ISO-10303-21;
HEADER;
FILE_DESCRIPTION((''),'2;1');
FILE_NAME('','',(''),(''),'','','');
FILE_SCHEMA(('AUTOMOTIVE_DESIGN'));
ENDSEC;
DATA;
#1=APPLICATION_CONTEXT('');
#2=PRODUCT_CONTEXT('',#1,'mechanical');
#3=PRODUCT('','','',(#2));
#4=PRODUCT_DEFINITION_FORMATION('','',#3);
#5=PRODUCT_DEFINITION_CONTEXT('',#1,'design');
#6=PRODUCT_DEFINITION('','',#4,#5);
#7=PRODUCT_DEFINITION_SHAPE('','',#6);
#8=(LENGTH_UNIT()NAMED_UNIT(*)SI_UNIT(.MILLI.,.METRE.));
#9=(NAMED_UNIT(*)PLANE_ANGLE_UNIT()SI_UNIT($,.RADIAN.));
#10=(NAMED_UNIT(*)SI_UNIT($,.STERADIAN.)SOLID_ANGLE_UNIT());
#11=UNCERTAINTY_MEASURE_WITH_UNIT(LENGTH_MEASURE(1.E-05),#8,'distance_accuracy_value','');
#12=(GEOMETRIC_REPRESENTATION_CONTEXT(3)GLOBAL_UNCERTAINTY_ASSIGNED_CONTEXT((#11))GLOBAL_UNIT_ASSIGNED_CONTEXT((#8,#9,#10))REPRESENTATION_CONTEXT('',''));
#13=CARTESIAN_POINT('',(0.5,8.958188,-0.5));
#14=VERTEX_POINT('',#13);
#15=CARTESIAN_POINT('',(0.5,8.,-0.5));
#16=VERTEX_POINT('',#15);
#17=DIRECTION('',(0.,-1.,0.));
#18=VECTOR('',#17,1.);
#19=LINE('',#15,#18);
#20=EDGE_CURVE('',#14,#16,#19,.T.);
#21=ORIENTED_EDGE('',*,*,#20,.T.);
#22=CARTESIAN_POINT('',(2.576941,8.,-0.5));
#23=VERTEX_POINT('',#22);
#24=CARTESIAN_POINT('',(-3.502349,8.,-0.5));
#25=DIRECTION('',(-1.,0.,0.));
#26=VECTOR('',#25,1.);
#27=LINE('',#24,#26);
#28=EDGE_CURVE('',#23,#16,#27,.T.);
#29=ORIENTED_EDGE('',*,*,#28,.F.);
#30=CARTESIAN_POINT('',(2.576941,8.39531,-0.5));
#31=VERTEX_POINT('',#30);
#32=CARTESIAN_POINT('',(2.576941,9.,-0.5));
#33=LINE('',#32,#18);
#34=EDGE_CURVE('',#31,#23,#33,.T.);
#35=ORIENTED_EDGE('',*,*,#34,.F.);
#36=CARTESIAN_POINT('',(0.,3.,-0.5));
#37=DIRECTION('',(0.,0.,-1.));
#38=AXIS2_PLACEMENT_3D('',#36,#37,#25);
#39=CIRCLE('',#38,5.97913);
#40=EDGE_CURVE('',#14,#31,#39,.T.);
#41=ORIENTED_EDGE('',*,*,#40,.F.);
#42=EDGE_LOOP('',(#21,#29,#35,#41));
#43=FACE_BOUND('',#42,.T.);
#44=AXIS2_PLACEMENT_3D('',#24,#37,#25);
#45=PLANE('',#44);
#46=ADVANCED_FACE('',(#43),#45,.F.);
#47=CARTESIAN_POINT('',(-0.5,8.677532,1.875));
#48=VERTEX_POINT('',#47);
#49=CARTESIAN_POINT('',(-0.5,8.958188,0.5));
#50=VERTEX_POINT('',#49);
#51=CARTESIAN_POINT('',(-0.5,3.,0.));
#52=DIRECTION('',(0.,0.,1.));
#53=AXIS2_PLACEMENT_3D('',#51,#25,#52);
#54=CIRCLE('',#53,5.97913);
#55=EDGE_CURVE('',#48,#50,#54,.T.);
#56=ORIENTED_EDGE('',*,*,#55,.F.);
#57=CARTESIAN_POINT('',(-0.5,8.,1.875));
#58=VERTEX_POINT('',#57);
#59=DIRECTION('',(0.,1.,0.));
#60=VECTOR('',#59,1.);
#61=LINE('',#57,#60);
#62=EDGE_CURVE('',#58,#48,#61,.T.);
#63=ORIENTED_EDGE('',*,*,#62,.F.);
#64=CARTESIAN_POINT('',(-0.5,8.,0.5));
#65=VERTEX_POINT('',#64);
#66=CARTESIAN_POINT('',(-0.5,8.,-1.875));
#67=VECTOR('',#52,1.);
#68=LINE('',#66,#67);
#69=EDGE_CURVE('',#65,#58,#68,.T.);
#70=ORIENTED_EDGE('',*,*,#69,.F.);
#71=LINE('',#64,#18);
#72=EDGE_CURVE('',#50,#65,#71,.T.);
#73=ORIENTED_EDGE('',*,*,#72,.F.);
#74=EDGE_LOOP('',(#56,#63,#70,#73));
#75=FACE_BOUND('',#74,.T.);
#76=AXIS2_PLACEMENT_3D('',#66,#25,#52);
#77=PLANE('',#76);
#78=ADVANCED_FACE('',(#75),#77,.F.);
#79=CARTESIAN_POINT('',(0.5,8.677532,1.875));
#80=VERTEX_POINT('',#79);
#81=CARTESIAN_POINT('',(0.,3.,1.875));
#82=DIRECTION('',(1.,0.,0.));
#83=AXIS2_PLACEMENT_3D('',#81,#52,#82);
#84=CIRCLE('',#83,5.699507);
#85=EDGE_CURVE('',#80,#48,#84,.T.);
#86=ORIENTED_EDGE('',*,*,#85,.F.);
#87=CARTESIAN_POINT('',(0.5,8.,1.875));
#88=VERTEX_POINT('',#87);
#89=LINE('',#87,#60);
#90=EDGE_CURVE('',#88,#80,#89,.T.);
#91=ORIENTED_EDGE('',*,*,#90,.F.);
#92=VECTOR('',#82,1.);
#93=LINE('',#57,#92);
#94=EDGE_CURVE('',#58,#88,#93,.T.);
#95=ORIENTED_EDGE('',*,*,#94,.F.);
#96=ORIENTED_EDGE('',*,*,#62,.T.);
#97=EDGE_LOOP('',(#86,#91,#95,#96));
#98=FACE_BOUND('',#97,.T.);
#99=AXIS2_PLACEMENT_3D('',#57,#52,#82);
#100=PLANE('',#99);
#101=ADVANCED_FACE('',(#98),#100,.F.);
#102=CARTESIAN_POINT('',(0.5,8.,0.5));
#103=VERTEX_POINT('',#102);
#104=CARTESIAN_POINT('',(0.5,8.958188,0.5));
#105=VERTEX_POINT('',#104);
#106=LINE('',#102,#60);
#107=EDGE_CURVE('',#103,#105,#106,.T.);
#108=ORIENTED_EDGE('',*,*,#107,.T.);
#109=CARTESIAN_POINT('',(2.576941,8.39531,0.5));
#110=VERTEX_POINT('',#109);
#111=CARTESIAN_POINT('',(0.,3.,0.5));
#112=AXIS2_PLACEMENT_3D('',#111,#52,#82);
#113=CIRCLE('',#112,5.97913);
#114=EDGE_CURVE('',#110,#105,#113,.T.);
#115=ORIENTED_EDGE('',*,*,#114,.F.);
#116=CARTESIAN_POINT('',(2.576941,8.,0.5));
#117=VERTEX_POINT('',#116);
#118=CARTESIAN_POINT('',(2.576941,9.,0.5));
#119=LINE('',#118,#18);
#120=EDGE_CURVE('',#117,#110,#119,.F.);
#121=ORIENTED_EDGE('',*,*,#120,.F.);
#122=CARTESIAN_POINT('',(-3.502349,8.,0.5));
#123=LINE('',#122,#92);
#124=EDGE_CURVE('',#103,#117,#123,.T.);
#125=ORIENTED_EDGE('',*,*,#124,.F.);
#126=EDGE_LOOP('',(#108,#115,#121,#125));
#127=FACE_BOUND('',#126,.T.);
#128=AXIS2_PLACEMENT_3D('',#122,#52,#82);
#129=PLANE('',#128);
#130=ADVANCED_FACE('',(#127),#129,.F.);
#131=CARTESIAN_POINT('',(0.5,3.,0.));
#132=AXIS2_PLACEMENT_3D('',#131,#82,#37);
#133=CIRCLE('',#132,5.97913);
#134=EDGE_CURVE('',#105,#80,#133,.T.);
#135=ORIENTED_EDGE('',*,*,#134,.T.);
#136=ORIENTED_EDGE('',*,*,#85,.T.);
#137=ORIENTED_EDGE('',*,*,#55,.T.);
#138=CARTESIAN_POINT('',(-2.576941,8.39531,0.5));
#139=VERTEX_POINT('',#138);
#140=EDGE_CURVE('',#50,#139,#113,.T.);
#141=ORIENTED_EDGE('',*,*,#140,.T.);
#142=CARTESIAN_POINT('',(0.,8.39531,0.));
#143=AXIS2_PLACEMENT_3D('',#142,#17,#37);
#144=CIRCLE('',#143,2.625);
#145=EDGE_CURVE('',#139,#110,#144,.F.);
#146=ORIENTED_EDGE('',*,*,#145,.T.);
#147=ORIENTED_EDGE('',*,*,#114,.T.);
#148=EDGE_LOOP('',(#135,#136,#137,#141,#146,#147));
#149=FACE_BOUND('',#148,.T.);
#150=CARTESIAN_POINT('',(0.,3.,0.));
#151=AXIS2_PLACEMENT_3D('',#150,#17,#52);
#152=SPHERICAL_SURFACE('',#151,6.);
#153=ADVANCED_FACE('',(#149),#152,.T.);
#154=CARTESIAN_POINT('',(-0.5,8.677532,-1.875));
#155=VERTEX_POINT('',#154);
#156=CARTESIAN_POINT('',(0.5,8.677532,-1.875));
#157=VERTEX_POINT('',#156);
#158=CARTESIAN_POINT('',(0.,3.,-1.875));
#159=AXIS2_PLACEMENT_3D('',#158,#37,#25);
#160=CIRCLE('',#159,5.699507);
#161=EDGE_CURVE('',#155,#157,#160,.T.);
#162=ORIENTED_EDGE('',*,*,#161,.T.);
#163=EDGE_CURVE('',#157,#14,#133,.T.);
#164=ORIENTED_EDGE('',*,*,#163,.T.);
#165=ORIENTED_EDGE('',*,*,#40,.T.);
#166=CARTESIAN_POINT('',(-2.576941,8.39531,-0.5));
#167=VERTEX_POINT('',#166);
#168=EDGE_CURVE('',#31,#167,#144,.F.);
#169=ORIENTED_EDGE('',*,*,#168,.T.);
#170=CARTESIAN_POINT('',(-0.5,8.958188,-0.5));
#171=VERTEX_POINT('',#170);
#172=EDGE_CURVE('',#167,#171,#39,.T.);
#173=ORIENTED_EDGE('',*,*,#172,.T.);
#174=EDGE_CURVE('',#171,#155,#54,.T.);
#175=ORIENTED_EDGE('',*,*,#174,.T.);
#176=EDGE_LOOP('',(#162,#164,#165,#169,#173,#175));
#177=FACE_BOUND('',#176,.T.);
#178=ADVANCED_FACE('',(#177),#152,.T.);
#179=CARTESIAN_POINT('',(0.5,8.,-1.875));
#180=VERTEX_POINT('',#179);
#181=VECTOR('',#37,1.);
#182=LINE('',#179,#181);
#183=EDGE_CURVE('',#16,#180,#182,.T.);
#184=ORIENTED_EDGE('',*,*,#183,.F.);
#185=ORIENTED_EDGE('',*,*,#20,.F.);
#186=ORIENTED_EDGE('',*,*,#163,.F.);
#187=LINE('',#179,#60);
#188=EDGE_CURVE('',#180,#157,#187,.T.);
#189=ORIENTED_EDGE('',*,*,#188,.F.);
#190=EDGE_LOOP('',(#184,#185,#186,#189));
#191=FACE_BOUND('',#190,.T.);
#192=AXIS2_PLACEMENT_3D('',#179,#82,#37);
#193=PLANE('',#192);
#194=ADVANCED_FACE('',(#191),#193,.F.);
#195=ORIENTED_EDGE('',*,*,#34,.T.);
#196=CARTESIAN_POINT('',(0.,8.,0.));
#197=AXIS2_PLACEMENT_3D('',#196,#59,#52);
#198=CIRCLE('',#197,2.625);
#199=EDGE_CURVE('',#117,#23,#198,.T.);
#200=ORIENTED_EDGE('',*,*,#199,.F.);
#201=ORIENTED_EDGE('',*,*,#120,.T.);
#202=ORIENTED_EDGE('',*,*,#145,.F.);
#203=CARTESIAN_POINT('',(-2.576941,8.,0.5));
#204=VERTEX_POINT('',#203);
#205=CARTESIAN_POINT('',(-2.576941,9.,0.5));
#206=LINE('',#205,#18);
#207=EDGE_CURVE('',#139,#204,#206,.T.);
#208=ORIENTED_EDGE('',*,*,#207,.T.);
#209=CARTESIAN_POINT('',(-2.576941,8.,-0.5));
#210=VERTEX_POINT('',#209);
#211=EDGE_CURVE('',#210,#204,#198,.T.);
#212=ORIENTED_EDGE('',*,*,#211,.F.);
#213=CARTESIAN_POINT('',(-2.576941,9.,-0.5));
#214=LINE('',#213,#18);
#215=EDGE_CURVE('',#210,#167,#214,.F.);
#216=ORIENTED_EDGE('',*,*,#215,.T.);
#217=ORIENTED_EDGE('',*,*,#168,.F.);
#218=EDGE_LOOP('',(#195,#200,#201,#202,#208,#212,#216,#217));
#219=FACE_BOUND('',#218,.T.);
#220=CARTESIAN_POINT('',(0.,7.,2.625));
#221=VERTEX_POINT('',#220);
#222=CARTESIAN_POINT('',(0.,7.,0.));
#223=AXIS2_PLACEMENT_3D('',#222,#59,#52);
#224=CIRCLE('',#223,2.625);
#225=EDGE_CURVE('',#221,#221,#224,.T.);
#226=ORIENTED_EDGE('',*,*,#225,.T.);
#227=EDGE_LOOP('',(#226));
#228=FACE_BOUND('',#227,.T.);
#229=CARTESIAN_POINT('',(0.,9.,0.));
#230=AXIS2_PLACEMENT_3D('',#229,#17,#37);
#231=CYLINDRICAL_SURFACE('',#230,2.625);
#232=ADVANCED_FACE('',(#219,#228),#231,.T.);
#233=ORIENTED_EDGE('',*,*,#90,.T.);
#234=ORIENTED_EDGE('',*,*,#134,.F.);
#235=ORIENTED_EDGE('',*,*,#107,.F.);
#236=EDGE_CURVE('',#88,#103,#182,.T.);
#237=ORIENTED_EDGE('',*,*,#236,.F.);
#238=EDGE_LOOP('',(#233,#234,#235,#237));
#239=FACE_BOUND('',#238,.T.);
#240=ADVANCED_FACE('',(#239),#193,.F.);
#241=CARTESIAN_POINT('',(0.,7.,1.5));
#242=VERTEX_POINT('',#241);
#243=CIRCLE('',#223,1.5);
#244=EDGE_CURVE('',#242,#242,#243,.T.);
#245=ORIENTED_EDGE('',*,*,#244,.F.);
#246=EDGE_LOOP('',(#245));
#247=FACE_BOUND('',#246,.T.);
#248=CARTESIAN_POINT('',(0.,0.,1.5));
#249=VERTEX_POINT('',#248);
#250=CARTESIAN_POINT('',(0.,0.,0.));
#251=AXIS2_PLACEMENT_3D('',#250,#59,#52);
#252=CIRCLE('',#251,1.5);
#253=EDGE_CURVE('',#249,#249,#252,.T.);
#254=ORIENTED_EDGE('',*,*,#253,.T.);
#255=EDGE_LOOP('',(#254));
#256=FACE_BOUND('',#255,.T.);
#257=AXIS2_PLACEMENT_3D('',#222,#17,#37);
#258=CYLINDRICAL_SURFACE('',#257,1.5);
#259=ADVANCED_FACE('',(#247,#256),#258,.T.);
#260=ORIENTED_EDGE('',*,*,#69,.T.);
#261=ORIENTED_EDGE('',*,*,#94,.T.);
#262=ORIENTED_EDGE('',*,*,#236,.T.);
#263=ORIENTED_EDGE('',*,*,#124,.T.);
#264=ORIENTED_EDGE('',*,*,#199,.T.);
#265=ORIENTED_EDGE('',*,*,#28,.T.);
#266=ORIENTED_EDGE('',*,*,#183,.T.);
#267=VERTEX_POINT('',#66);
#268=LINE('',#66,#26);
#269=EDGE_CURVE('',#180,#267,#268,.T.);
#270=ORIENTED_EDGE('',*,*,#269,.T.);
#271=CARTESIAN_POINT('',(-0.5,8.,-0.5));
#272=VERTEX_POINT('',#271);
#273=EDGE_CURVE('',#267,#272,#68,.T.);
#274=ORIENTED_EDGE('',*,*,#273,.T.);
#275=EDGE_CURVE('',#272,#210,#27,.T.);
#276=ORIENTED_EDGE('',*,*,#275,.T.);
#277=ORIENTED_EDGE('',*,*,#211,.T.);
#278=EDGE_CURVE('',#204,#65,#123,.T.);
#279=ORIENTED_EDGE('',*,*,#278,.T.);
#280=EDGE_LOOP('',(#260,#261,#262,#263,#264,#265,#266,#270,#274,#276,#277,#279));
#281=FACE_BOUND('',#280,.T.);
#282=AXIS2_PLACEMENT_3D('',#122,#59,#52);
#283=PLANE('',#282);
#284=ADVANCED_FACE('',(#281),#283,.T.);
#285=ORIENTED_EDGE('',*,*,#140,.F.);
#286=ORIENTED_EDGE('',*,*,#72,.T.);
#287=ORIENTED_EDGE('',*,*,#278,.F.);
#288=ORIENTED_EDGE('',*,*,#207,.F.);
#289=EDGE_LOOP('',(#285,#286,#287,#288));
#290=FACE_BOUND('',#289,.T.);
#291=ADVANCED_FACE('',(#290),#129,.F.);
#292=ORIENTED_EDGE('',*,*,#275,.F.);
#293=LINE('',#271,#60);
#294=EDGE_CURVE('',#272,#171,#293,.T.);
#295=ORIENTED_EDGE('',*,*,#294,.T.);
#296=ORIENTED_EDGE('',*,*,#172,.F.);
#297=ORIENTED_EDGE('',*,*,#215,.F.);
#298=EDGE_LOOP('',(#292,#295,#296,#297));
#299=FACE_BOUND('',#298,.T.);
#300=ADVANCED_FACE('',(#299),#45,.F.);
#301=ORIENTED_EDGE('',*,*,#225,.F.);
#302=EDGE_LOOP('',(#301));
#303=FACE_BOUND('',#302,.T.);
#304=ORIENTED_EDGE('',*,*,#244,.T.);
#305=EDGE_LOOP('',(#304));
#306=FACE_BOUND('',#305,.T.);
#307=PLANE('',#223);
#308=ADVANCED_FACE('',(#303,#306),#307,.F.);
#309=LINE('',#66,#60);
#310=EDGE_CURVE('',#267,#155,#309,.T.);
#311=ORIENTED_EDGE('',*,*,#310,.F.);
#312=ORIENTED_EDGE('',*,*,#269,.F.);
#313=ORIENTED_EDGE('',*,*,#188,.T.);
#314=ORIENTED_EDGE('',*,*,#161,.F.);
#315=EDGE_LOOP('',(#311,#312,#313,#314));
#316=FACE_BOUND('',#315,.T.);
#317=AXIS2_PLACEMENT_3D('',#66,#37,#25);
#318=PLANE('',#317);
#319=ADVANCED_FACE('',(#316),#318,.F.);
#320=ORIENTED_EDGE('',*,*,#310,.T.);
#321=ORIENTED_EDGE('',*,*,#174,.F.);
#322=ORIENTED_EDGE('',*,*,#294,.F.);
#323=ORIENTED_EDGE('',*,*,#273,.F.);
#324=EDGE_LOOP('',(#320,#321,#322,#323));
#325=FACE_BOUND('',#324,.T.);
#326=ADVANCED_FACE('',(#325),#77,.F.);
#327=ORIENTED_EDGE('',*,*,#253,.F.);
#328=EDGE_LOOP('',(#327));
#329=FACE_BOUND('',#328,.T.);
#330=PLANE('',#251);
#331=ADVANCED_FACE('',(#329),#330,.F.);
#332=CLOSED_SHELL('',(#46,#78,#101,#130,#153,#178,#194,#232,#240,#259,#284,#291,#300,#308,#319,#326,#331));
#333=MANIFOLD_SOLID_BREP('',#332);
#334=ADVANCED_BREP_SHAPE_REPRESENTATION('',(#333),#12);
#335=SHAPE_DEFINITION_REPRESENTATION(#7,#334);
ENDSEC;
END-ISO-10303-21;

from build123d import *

# Parameters (mm, degrees)
SKETCH_1_R          = 1.5
EXTRUDE_1_DEPTH     = 7
SKETCH_2_R          = 2.625
EXTRUDE_2_DEPTH     = 2
SKETCH_3_W          = 7.004697232
SKETCH_3_H          = 1
CUT_EXTRUDE_1_DEPTH = 1
SKETCH_4_W          = 1
SKETCH_4_H          = 3.75
CUT_EXTRUDE_2_DEPTH = 1


with BuildPart() as part:
    # 草图1 → 拉伸1 (new body)
    with BuildSketch(Plane(origin=(0, 0, 0), x_dir=(1, 0, 0), z_dir=(0, 1, 0))):
        with Locations(Location((0, 0, 0), (0, 0, 270))):
            Circle(SKETCH_1_R)
    extrude(amount=EXTRUDE_1_DEPTH)

    # 草图2 → 拉伸2 (add)
    with BuildSketch(Plane(origin=(0, 7, 0), x_dir=(-1, 0, 0), z_dir=(0, 1, 0))):
        with Locations(Location((0, 0, 0), (0, 0, 90))):
            Circle(SKETCH_2_R)
    extrude(amount=EXTRUDE_2_DEPTH)

    # 草图3 → 切除-拉伸1 (cut)
    with BuildSketch(Plane(origin=(0, 9, 0), x_dir=(-1, 0, 0), z_dir=(0, 1, 0))):
        Rectangle(SKETCH_3_W, SKETCH_3_H)
    extrude(amount=-CUT_EXTRUDE_1_DEPTH, mode=Mode.SUBTRACT)

    # 草图4 → 切除-拉伸2 (cut)
    with BuildSketch(Plane(origin=(0, 9, 0), x_dir=(-1, 0, 0), z_dir=(0, 1, 0))):
        Rectangle(SKETCH_4_W, SKETCH_4_H)
    extrude(amount=-CUT_EXTRUDE_2_DEPTH, mode=Mode.SUBTRACT)

    # 草图5 → 切除-旋转16 (revolve, cut)
    with BuildSketch(Plane(origin=(0, 0, 0), x_dir=(0, 0, -1), z_dir=(1, 0, 0)), mode=Mode.PRIVATE) as cut_revolve_16_sk:
        with BuildLine():
            Line((0, 10.999822694), (-4.5493707, 10.999822694))
            Line((-4.5493707, 10.999822694), (-4.5493707, 6.911933822))
            ThreePointArc((-4.5493707, 6.911933822), (-2.502838096, 8.453054325), (0, 9))
            Line((0, 9), (0, 10.999822694))
        make_face()
    revolve(cut_revolve_16_sk.sketch.rotate(Axis((0, -2.105917543, 0), (0, 1, 0)), 259.019424572), axis=Axis((0, -2.105917543, 0), (0, 1, 0)), mode=Mode.SUBTRACT)


solid = part.part
